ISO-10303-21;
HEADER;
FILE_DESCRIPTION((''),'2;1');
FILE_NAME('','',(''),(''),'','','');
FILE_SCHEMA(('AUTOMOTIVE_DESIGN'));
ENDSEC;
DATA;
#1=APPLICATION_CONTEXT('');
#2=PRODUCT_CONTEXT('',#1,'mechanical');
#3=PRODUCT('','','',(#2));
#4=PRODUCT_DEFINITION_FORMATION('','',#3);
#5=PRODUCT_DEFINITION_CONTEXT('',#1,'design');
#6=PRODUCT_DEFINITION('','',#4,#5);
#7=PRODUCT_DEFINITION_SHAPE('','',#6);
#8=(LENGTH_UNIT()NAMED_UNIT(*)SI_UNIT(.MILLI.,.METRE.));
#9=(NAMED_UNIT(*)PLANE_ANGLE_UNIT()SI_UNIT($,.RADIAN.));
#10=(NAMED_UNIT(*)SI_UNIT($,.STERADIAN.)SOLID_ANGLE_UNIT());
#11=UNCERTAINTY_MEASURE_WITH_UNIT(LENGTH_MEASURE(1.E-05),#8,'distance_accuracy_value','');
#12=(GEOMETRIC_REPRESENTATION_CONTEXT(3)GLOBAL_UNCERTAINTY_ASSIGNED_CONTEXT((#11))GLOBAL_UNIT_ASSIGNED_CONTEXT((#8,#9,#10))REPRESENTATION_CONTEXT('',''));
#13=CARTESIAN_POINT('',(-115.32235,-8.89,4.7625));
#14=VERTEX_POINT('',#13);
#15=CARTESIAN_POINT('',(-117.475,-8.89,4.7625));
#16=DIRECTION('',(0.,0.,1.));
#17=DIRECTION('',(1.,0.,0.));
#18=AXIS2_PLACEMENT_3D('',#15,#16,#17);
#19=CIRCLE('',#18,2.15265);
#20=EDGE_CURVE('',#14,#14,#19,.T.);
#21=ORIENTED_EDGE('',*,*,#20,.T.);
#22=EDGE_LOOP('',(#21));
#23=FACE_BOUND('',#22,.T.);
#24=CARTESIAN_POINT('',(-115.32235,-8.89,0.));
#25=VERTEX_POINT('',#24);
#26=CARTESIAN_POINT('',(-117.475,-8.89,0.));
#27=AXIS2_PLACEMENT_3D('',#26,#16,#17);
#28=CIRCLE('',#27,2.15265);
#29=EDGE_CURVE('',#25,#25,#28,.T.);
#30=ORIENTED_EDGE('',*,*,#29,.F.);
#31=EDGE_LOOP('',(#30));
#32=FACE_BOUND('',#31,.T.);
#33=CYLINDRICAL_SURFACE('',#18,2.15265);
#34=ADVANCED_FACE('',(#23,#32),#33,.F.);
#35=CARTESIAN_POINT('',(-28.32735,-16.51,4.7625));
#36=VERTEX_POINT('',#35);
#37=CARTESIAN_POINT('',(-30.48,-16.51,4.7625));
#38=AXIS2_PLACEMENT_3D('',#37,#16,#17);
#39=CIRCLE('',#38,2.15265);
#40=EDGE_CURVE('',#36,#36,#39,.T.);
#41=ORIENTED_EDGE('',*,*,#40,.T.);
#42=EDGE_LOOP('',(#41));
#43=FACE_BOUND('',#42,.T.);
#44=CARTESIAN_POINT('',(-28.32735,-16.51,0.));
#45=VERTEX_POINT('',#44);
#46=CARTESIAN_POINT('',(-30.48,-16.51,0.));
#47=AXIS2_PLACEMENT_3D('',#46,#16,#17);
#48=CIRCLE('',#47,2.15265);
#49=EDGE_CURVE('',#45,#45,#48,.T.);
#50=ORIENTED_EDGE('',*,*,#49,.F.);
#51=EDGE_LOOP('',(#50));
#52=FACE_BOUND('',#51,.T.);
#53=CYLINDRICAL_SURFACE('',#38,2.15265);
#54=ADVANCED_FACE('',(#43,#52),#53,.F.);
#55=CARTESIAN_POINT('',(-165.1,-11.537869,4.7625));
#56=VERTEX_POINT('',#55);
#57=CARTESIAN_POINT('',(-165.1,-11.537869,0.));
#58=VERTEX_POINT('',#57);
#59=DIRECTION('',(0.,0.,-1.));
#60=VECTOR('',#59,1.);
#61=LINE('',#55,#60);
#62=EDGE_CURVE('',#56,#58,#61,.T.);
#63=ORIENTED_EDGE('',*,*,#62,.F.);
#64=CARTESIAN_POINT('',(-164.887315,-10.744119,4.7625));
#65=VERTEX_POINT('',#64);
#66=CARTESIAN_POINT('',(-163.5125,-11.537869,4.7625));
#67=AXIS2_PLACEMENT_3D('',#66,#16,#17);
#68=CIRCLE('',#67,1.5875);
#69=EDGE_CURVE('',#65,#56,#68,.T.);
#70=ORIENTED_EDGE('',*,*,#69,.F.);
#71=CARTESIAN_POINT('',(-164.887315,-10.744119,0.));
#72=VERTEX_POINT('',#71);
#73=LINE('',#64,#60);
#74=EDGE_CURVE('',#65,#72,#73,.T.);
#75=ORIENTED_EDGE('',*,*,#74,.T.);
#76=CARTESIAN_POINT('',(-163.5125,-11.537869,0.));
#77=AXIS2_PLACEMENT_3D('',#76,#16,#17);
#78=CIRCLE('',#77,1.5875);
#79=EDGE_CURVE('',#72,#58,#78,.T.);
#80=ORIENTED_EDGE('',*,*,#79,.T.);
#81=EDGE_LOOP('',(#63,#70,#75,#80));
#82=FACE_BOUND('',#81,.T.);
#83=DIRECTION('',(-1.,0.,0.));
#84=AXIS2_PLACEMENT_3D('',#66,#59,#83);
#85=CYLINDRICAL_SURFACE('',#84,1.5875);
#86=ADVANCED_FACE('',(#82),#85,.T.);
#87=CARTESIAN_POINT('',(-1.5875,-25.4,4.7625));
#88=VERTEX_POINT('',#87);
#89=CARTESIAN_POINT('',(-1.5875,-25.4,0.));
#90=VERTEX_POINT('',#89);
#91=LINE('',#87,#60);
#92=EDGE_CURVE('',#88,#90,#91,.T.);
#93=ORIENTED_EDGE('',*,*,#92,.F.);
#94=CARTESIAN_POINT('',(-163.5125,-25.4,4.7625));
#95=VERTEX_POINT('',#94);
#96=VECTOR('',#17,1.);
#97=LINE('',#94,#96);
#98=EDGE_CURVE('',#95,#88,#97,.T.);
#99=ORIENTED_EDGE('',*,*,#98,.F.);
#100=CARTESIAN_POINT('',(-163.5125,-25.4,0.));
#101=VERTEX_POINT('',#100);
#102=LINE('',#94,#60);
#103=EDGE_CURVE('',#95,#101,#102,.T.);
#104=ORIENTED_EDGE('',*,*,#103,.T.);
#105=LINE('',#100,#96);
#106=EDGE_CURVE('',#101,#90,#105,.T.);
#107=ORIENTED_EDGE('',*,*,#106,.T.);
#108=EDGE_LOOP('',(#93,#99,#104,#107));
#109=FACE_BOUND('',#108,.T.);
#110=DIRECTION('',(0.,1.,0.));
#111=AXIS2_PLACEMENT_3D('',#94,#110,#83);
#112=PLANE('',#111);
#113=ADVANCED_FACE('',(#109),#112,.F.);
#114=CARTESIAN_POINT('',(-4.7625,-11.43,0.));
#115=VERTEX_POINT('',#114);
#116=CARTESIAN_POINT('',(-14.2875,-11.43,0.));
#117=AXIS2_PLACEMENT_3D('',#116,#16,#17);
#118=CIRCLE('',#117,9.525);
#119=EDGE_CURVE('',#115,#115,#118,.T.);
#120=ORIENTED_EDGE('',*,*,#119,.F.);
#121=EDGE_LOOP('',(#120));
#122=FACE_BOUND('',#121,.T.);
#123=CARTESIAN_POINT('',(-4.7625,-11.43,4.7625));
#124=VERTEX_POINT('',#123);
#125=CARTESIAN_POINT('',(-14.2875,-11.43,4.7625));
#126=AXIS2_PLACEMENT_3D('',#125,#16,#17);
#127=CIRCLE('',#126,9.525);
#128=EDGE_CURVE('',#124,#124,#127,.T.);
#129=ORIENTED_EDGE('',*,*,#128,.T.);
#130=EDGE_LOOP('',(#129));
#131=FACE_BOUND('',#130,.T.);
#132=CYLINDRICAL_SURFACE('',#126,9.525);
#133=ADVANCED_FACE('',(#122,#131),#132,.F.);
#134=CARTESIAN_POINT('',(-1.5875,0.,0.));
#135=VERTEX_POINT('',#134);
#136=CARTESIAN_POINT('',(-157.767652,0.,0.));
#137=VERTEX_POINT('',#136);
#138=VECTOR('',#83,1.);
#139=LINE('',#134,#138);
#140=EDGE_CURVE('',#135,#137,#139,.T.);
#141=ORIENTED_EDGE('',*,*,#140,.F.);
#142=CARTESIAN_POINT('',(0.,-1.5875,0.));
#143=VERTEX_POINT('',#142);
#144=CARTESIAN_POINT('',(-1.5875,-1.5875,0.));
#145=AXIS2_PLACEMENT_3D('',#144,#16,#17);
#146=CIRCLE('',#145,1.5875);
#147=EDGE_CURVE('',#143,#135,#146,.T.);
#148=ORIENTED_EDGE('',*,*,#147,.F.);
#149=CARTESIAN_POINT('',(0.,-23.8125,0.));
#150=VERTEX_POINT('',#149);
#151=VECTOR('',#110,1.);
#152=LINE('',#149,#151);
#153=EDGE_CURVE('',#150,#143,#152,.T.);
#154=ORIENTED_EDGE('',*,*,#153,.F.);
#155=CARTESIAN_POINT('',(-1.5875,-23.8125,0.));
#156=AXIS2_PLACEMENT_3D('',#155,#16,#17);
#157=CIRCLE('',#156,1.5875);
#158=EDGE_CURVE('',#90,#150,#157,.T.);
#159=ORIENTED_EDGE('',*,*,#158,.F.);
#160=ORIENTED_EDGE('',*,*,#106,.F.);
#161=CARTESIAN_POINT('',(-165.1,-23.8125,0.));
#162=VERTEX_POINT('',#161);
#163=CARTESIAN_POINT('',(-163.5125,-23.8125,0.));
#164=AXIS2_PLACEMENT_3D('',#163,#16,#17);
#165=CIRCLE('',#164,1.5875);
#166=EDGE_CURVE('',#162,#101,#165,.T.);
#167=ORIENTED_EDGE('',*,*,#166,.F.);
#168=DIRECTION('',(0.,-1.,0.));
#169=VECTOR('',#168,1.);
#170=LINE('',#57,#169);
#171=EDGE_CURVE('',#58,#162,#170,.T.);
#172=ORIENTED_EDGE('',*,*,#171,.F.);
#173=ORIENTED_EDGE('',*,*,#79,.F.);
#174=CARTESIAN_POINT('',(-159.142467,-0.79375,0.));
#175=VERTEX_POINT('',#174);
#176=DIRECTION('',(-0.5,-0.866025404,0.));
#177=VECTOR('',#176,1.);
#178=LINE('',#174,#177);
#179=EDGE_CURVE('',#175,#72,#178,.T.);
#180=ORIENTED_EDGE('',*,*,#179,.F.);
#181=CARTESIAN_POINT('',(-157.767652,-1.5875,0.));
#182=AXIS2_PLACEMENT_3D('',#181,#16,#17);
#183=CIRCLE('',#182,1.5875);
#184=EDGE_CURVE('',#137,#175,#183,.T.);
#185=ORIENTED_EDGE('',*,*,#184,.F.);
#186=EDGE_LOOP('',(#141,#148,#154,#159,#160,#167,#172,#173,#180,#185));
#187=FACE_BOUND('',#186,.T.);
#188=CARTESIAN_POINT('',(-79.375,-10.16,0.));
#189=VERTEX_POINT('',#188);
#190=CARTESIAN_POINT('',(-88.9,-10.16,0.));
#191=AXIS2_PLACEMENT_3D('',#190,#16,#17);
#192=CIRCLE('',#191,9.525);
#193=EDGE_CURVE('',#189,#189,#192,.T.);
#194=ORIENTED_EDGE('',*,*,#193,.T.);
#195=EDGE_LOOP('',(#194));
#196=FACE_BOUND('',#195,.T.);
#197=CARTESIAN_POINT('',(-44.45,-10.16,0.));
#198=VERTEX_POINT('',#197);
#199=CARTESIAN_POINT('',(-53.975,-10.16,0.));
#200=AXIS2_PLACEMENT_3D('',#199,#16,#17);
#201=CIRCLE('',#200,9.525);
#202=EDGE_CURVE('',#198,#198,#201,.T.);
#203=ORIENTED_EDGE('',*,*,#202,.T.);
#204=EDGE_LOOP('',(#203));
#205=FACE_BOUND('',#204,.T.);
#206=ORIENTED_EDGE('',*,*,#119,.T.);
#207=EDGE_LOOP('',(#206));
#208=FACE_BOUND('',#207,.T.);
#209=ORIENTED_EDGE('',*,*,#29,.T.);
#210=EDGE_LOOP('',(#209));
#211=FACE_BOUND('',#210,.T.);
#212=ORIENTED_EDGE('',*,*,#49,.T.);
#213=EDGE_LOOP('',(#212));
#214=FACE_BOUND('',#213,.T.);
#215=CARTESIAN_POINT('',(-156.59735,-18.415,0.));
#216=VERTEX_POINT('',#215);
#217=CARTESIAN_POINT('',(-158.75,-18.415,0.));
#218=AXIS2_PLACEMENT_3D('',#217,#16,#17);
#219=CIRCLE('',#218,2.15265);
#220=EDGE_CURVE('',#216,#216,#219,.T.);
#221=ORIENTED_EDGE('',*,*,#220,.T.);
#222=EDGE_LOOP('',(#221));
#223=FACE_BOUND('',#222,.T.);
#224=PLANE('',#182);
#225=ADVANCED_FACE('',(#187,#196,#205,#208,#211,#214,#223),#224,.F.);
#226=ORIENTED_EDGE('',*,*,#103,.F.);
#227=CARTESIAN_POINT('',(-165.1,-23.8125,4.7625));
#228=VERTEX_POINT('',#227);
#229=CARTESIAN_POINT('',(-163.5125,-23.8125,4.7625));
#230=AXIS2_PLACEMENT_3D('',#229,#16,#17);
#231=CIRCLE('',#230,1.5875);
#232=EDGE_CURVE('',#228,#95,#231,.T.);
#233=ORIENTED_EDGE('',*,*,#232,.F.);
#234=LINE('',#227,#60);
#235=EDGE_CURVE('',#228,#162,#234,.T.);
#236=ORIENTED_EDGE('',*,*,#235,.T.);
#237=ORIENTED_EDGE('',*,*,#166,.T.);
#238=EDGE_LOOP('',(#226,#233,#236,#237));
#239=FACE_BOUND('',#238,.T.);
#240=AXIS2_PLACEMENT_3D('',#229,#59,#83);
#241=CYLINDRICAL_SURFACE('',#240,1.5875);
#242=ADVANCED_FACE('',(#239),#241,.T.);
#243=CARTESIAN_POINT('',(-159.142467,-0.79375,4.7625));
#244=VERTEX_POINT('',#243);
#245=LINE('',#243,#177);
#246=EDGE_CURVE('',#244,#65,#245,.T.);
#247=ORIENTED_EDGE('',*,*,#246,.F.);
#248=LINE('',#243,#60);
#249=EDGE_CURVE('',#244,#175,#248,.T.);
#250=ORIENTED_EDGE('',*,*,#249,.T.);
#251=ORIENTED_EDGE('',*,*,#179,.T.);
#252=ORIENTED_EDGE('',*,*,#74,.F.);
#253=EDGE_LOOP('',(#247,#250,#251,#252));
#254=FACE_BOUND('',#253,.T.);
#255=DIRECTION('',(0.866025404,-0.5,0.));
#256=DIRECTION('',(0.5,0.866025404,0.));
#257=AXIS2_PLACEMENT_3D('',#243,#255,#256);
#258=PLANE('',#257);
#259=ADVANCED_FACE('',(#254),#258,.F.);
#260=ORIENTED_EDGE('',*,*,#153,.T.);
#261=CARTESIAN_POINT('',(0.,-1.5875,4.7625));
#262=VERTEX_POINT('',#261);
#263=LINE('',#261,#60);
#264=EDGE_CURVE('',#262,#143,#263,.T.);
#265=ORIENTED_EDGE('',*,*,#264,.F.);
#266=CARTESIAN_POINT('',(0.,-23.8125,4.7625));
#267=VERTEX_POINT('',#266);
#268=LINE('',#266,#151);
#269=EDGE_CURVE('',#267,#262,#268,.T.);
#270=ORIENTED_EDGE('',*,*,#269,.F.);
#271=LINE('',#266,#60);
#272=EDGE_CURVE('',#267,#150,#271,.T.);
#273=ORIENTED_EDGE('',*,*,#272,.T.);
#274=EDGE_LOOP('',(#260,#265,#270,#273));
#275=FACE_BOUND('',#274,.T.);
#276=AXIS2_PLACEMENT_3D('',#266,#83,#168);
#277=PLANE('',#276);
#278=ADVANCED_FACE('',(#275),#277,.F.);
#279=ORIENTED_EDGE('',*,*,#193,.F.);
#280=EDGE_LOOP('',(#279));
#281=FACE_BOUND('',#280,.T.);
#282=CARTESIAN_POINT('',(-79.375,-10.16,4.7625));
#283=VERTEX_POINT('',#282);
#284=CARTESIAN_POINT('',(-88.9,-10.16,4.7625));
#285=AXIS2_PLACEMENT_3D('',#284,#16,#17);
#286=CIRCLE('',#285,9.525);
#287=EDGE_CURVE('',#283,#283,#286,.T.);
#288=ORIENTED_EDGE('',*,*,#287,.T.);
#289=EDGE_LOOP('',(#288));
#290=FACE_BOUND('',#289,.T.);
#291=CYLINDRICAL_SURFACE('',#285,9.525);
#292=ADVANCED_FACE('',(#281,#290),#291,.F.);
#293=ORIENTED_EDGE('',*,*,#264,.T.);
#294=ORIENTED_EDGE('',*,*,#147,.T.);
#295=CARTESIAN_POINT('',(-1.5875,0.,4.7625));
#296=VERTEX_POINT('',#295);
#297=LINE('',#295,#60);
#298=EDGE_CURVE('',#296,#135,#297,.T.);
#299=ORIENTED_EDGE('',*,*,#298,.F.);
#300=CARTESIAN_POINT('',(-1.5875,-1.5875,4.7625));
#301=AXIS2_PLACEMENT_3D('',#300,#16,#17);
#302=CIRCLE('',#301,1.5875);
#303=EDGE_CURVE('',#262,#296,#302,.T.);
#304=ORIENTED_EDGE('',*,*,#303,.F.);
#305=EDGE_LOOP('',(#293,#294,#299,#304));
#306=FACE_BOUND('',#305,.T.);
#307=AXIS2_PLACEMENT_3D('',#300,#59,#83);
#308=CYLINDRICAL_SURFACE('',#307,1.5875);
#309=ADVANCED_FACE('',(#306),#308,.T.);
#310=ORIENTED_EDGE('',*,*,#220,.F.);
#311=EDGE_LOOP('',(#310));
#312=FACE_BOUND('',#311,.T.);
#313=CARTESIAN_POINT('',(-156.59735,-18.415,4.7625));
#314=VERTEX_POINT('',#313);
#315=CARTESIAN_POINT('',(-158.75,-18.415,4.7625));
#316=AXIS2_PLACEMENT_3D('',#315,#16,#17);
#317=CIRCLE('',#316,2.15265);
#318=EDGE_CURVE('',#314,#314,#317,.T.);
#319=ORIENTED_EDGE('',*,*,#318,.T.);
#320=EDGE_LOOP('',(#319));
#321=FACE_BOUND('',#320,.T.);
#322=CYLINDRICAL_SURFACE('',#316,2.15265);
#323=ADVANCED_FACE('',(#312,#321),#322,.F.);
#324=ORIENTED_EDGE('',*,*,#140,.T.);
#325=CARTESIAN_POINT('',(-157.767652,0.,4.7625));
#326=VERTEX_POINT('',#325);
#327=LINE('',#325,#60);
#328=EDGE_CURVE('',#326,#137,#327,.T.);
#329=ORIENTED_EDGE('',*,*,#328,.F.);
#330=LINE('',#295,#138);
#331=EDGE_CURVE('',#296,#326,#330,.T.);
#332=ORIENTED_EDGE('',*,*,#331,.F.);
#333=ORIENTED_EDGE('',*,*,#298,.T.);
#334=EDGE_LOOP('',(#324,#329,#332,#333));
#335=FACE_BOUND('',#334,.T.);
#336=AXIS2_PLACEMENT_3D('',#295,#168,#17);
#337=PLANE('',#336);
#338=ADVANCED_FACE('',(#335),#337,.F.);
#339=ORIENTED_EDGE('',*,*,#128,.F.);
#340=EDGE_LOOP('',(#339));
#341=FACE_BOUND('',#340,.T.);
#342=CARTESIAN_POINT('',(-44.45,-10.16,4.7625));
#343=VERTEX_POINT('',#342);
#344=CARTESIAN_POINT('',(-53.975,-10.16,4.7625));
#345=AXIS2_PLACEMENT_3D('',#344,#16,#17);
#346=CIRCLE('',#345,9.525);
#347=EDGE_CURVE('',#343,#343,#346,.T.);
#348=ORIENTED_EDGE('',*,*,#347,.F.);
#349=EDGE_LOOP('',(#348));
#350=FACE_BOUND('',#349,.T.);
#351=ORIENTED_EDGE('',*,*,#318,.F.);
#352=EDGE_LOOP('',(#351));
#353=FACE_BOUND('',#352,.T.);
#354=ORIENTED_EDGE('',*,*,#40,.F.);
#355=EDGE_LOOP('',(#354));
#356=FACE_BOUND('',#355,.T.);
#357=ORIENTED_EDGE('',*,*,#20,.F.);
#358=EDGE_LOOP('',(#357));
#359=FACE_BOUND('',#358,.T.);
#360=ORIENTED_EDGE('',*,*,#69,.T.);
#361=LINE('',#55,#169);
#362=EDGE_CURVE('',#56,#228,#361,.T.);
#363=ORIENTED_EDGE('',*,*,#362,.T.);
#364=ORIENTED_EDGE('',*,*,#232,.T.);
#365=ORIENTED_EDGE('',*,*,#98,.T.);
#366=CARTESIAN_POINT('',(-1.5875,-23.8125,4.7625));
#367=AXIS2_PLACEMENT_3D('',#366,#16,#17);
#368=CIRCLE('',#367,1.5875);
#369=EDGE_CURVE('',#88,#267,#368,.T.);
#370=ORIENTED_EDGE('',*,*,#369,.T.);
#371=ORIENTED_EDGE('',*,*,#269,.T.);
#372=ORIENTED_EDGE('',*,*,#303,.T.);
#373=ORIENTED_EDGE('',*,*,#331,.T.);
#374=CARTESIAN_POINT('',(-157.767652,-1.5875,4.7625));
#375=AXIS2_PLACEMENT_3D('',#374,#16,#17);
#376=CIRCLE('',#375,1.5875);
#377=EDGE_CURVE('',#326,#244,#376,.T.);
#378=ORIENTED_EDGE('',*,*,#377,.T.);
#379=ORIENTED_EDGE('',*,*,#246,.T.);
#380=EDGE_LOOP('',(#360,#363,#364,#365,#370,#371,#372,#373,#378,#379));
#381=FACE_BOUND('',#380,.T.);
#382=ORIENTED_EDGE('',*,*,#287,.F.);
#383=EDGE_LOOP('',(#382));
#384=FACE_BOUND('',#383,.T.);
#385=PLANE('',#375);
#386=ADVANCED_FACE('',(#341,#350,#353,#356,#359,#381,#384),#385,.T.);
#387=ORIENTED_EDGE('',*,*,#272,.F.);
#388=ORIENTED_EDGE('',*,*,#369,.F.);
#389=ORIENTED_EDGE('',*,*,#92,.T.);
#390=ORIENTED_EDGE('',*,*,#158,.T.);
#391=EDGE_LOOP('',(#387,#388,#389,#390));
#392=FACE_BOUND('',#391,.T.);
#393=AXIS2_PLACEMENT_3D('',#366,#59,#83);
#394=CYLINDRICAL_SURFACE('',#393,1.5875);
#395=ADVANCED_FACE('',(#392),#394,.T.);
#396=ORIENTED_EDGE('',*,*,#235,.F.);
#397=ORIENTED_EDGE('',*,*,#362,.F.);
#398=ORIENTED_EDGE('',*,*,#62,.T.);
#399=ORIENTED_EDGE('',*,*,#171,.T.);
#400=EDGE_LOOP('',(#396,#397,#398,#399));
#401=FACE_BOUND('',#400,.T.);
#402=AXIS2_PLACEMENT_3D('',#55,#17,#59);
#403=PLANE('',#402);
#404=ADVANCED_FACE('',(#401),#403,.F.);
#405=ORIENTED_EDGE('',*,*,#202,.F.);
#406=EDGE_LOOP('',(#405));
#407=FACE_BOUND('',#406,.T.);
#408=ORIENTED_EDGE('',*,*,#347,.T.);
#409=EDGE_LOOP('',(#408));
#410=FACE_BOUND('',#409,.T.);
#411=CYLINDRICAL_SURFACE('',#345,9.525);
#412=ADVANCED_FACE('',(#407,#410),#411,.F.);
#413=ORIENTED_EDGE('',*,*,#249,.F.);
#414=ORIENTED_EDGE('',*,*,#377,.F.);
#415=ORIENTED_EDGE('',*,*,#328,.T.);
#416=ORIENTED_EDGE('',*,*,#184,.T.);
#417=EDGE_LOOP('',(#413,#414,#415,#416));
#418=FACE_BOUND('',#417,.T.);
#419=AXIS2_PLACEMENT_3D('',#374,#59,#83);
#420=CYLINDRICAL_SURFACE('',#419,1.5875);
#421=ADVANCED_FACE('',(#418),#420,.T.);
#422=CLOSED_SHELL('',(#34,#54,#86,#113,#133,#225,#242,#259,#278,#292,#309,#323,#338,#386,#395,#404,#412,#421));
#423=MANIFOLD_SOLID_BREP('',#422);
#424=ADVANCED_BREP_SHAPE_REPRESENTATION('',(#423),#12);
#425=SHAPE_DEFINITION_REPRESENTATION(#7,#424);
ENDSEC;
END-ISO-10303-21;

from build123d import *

# Parameters (mm, degrees)
BOSS_EXTRUDE1_DEPTH         = 4.7625
F_6_CLEARANCE_HOLE1_D       = 4.3053
F_3_4_0_75_DIAMETER_HOLE1_D = 19.05


with BuildPart() as part:
    # Sketch1 → Boss-Extrude1 (new body)
    with BuildSketch(Plane.XY):
        with BuildLine():
            Line((-159.14246691, -0.79375), (-164.887315329, -10.744119343))
            ThreePointArc((-164.887315329, -10.744119343), (-165.045907249, -11.126994109), (-165.1, -11.537869343))
            Line((-165.1, -11.537869343), (-165.1, -23.8125))
            ThreePointArc((-165.1, -23.8125), (-164.635032015, -24.935032015), (-163.5125, -25.4))
            Line((-163.5125, -25.4), (-1.5875, -25.4))
            ThreePointArc((-1.5875, -25.4), (-0.464967985, -24.935032015), (0, -23.8125))
            Line((0, -23.8125), (0, -1.5875))
            ThreePointArc((0, -1.5875), (-0.464967985, -0.464967985), (-1.5875, 0))
            Line((-1.5875, 0), (-157.767651581, 0))
            ThreePointArc((-157.767651581, 0), (-158.561401581, -0.212684671), (-159.14246691, -0.79375))
        make_face()
    extrude(amount=BOSS_EXTRUDE1_DEPTH)

    # #6 Clearance Hole1 (through all)
    with Locations(Plane.XY.offset(4.7625)):
        with Locations((-158.75, -18.415), (-117.475, -8.89), (-30.48, -16.51)):
            Hole(F_6_CLEARANCE_HOLE1_D / 2)

    # 3/4 (0.75) Diameter Hole1 (through all)
    with Locations(Plane.XY.offset(4.7625)):
        with Locations((-88.9, -10.16), (-53.975, -10.16), (-14.2875, -11.43)):
            Hole(F_3_4_0_75_DIAMETER_HOLE1_D / 2)


solid = part.part
